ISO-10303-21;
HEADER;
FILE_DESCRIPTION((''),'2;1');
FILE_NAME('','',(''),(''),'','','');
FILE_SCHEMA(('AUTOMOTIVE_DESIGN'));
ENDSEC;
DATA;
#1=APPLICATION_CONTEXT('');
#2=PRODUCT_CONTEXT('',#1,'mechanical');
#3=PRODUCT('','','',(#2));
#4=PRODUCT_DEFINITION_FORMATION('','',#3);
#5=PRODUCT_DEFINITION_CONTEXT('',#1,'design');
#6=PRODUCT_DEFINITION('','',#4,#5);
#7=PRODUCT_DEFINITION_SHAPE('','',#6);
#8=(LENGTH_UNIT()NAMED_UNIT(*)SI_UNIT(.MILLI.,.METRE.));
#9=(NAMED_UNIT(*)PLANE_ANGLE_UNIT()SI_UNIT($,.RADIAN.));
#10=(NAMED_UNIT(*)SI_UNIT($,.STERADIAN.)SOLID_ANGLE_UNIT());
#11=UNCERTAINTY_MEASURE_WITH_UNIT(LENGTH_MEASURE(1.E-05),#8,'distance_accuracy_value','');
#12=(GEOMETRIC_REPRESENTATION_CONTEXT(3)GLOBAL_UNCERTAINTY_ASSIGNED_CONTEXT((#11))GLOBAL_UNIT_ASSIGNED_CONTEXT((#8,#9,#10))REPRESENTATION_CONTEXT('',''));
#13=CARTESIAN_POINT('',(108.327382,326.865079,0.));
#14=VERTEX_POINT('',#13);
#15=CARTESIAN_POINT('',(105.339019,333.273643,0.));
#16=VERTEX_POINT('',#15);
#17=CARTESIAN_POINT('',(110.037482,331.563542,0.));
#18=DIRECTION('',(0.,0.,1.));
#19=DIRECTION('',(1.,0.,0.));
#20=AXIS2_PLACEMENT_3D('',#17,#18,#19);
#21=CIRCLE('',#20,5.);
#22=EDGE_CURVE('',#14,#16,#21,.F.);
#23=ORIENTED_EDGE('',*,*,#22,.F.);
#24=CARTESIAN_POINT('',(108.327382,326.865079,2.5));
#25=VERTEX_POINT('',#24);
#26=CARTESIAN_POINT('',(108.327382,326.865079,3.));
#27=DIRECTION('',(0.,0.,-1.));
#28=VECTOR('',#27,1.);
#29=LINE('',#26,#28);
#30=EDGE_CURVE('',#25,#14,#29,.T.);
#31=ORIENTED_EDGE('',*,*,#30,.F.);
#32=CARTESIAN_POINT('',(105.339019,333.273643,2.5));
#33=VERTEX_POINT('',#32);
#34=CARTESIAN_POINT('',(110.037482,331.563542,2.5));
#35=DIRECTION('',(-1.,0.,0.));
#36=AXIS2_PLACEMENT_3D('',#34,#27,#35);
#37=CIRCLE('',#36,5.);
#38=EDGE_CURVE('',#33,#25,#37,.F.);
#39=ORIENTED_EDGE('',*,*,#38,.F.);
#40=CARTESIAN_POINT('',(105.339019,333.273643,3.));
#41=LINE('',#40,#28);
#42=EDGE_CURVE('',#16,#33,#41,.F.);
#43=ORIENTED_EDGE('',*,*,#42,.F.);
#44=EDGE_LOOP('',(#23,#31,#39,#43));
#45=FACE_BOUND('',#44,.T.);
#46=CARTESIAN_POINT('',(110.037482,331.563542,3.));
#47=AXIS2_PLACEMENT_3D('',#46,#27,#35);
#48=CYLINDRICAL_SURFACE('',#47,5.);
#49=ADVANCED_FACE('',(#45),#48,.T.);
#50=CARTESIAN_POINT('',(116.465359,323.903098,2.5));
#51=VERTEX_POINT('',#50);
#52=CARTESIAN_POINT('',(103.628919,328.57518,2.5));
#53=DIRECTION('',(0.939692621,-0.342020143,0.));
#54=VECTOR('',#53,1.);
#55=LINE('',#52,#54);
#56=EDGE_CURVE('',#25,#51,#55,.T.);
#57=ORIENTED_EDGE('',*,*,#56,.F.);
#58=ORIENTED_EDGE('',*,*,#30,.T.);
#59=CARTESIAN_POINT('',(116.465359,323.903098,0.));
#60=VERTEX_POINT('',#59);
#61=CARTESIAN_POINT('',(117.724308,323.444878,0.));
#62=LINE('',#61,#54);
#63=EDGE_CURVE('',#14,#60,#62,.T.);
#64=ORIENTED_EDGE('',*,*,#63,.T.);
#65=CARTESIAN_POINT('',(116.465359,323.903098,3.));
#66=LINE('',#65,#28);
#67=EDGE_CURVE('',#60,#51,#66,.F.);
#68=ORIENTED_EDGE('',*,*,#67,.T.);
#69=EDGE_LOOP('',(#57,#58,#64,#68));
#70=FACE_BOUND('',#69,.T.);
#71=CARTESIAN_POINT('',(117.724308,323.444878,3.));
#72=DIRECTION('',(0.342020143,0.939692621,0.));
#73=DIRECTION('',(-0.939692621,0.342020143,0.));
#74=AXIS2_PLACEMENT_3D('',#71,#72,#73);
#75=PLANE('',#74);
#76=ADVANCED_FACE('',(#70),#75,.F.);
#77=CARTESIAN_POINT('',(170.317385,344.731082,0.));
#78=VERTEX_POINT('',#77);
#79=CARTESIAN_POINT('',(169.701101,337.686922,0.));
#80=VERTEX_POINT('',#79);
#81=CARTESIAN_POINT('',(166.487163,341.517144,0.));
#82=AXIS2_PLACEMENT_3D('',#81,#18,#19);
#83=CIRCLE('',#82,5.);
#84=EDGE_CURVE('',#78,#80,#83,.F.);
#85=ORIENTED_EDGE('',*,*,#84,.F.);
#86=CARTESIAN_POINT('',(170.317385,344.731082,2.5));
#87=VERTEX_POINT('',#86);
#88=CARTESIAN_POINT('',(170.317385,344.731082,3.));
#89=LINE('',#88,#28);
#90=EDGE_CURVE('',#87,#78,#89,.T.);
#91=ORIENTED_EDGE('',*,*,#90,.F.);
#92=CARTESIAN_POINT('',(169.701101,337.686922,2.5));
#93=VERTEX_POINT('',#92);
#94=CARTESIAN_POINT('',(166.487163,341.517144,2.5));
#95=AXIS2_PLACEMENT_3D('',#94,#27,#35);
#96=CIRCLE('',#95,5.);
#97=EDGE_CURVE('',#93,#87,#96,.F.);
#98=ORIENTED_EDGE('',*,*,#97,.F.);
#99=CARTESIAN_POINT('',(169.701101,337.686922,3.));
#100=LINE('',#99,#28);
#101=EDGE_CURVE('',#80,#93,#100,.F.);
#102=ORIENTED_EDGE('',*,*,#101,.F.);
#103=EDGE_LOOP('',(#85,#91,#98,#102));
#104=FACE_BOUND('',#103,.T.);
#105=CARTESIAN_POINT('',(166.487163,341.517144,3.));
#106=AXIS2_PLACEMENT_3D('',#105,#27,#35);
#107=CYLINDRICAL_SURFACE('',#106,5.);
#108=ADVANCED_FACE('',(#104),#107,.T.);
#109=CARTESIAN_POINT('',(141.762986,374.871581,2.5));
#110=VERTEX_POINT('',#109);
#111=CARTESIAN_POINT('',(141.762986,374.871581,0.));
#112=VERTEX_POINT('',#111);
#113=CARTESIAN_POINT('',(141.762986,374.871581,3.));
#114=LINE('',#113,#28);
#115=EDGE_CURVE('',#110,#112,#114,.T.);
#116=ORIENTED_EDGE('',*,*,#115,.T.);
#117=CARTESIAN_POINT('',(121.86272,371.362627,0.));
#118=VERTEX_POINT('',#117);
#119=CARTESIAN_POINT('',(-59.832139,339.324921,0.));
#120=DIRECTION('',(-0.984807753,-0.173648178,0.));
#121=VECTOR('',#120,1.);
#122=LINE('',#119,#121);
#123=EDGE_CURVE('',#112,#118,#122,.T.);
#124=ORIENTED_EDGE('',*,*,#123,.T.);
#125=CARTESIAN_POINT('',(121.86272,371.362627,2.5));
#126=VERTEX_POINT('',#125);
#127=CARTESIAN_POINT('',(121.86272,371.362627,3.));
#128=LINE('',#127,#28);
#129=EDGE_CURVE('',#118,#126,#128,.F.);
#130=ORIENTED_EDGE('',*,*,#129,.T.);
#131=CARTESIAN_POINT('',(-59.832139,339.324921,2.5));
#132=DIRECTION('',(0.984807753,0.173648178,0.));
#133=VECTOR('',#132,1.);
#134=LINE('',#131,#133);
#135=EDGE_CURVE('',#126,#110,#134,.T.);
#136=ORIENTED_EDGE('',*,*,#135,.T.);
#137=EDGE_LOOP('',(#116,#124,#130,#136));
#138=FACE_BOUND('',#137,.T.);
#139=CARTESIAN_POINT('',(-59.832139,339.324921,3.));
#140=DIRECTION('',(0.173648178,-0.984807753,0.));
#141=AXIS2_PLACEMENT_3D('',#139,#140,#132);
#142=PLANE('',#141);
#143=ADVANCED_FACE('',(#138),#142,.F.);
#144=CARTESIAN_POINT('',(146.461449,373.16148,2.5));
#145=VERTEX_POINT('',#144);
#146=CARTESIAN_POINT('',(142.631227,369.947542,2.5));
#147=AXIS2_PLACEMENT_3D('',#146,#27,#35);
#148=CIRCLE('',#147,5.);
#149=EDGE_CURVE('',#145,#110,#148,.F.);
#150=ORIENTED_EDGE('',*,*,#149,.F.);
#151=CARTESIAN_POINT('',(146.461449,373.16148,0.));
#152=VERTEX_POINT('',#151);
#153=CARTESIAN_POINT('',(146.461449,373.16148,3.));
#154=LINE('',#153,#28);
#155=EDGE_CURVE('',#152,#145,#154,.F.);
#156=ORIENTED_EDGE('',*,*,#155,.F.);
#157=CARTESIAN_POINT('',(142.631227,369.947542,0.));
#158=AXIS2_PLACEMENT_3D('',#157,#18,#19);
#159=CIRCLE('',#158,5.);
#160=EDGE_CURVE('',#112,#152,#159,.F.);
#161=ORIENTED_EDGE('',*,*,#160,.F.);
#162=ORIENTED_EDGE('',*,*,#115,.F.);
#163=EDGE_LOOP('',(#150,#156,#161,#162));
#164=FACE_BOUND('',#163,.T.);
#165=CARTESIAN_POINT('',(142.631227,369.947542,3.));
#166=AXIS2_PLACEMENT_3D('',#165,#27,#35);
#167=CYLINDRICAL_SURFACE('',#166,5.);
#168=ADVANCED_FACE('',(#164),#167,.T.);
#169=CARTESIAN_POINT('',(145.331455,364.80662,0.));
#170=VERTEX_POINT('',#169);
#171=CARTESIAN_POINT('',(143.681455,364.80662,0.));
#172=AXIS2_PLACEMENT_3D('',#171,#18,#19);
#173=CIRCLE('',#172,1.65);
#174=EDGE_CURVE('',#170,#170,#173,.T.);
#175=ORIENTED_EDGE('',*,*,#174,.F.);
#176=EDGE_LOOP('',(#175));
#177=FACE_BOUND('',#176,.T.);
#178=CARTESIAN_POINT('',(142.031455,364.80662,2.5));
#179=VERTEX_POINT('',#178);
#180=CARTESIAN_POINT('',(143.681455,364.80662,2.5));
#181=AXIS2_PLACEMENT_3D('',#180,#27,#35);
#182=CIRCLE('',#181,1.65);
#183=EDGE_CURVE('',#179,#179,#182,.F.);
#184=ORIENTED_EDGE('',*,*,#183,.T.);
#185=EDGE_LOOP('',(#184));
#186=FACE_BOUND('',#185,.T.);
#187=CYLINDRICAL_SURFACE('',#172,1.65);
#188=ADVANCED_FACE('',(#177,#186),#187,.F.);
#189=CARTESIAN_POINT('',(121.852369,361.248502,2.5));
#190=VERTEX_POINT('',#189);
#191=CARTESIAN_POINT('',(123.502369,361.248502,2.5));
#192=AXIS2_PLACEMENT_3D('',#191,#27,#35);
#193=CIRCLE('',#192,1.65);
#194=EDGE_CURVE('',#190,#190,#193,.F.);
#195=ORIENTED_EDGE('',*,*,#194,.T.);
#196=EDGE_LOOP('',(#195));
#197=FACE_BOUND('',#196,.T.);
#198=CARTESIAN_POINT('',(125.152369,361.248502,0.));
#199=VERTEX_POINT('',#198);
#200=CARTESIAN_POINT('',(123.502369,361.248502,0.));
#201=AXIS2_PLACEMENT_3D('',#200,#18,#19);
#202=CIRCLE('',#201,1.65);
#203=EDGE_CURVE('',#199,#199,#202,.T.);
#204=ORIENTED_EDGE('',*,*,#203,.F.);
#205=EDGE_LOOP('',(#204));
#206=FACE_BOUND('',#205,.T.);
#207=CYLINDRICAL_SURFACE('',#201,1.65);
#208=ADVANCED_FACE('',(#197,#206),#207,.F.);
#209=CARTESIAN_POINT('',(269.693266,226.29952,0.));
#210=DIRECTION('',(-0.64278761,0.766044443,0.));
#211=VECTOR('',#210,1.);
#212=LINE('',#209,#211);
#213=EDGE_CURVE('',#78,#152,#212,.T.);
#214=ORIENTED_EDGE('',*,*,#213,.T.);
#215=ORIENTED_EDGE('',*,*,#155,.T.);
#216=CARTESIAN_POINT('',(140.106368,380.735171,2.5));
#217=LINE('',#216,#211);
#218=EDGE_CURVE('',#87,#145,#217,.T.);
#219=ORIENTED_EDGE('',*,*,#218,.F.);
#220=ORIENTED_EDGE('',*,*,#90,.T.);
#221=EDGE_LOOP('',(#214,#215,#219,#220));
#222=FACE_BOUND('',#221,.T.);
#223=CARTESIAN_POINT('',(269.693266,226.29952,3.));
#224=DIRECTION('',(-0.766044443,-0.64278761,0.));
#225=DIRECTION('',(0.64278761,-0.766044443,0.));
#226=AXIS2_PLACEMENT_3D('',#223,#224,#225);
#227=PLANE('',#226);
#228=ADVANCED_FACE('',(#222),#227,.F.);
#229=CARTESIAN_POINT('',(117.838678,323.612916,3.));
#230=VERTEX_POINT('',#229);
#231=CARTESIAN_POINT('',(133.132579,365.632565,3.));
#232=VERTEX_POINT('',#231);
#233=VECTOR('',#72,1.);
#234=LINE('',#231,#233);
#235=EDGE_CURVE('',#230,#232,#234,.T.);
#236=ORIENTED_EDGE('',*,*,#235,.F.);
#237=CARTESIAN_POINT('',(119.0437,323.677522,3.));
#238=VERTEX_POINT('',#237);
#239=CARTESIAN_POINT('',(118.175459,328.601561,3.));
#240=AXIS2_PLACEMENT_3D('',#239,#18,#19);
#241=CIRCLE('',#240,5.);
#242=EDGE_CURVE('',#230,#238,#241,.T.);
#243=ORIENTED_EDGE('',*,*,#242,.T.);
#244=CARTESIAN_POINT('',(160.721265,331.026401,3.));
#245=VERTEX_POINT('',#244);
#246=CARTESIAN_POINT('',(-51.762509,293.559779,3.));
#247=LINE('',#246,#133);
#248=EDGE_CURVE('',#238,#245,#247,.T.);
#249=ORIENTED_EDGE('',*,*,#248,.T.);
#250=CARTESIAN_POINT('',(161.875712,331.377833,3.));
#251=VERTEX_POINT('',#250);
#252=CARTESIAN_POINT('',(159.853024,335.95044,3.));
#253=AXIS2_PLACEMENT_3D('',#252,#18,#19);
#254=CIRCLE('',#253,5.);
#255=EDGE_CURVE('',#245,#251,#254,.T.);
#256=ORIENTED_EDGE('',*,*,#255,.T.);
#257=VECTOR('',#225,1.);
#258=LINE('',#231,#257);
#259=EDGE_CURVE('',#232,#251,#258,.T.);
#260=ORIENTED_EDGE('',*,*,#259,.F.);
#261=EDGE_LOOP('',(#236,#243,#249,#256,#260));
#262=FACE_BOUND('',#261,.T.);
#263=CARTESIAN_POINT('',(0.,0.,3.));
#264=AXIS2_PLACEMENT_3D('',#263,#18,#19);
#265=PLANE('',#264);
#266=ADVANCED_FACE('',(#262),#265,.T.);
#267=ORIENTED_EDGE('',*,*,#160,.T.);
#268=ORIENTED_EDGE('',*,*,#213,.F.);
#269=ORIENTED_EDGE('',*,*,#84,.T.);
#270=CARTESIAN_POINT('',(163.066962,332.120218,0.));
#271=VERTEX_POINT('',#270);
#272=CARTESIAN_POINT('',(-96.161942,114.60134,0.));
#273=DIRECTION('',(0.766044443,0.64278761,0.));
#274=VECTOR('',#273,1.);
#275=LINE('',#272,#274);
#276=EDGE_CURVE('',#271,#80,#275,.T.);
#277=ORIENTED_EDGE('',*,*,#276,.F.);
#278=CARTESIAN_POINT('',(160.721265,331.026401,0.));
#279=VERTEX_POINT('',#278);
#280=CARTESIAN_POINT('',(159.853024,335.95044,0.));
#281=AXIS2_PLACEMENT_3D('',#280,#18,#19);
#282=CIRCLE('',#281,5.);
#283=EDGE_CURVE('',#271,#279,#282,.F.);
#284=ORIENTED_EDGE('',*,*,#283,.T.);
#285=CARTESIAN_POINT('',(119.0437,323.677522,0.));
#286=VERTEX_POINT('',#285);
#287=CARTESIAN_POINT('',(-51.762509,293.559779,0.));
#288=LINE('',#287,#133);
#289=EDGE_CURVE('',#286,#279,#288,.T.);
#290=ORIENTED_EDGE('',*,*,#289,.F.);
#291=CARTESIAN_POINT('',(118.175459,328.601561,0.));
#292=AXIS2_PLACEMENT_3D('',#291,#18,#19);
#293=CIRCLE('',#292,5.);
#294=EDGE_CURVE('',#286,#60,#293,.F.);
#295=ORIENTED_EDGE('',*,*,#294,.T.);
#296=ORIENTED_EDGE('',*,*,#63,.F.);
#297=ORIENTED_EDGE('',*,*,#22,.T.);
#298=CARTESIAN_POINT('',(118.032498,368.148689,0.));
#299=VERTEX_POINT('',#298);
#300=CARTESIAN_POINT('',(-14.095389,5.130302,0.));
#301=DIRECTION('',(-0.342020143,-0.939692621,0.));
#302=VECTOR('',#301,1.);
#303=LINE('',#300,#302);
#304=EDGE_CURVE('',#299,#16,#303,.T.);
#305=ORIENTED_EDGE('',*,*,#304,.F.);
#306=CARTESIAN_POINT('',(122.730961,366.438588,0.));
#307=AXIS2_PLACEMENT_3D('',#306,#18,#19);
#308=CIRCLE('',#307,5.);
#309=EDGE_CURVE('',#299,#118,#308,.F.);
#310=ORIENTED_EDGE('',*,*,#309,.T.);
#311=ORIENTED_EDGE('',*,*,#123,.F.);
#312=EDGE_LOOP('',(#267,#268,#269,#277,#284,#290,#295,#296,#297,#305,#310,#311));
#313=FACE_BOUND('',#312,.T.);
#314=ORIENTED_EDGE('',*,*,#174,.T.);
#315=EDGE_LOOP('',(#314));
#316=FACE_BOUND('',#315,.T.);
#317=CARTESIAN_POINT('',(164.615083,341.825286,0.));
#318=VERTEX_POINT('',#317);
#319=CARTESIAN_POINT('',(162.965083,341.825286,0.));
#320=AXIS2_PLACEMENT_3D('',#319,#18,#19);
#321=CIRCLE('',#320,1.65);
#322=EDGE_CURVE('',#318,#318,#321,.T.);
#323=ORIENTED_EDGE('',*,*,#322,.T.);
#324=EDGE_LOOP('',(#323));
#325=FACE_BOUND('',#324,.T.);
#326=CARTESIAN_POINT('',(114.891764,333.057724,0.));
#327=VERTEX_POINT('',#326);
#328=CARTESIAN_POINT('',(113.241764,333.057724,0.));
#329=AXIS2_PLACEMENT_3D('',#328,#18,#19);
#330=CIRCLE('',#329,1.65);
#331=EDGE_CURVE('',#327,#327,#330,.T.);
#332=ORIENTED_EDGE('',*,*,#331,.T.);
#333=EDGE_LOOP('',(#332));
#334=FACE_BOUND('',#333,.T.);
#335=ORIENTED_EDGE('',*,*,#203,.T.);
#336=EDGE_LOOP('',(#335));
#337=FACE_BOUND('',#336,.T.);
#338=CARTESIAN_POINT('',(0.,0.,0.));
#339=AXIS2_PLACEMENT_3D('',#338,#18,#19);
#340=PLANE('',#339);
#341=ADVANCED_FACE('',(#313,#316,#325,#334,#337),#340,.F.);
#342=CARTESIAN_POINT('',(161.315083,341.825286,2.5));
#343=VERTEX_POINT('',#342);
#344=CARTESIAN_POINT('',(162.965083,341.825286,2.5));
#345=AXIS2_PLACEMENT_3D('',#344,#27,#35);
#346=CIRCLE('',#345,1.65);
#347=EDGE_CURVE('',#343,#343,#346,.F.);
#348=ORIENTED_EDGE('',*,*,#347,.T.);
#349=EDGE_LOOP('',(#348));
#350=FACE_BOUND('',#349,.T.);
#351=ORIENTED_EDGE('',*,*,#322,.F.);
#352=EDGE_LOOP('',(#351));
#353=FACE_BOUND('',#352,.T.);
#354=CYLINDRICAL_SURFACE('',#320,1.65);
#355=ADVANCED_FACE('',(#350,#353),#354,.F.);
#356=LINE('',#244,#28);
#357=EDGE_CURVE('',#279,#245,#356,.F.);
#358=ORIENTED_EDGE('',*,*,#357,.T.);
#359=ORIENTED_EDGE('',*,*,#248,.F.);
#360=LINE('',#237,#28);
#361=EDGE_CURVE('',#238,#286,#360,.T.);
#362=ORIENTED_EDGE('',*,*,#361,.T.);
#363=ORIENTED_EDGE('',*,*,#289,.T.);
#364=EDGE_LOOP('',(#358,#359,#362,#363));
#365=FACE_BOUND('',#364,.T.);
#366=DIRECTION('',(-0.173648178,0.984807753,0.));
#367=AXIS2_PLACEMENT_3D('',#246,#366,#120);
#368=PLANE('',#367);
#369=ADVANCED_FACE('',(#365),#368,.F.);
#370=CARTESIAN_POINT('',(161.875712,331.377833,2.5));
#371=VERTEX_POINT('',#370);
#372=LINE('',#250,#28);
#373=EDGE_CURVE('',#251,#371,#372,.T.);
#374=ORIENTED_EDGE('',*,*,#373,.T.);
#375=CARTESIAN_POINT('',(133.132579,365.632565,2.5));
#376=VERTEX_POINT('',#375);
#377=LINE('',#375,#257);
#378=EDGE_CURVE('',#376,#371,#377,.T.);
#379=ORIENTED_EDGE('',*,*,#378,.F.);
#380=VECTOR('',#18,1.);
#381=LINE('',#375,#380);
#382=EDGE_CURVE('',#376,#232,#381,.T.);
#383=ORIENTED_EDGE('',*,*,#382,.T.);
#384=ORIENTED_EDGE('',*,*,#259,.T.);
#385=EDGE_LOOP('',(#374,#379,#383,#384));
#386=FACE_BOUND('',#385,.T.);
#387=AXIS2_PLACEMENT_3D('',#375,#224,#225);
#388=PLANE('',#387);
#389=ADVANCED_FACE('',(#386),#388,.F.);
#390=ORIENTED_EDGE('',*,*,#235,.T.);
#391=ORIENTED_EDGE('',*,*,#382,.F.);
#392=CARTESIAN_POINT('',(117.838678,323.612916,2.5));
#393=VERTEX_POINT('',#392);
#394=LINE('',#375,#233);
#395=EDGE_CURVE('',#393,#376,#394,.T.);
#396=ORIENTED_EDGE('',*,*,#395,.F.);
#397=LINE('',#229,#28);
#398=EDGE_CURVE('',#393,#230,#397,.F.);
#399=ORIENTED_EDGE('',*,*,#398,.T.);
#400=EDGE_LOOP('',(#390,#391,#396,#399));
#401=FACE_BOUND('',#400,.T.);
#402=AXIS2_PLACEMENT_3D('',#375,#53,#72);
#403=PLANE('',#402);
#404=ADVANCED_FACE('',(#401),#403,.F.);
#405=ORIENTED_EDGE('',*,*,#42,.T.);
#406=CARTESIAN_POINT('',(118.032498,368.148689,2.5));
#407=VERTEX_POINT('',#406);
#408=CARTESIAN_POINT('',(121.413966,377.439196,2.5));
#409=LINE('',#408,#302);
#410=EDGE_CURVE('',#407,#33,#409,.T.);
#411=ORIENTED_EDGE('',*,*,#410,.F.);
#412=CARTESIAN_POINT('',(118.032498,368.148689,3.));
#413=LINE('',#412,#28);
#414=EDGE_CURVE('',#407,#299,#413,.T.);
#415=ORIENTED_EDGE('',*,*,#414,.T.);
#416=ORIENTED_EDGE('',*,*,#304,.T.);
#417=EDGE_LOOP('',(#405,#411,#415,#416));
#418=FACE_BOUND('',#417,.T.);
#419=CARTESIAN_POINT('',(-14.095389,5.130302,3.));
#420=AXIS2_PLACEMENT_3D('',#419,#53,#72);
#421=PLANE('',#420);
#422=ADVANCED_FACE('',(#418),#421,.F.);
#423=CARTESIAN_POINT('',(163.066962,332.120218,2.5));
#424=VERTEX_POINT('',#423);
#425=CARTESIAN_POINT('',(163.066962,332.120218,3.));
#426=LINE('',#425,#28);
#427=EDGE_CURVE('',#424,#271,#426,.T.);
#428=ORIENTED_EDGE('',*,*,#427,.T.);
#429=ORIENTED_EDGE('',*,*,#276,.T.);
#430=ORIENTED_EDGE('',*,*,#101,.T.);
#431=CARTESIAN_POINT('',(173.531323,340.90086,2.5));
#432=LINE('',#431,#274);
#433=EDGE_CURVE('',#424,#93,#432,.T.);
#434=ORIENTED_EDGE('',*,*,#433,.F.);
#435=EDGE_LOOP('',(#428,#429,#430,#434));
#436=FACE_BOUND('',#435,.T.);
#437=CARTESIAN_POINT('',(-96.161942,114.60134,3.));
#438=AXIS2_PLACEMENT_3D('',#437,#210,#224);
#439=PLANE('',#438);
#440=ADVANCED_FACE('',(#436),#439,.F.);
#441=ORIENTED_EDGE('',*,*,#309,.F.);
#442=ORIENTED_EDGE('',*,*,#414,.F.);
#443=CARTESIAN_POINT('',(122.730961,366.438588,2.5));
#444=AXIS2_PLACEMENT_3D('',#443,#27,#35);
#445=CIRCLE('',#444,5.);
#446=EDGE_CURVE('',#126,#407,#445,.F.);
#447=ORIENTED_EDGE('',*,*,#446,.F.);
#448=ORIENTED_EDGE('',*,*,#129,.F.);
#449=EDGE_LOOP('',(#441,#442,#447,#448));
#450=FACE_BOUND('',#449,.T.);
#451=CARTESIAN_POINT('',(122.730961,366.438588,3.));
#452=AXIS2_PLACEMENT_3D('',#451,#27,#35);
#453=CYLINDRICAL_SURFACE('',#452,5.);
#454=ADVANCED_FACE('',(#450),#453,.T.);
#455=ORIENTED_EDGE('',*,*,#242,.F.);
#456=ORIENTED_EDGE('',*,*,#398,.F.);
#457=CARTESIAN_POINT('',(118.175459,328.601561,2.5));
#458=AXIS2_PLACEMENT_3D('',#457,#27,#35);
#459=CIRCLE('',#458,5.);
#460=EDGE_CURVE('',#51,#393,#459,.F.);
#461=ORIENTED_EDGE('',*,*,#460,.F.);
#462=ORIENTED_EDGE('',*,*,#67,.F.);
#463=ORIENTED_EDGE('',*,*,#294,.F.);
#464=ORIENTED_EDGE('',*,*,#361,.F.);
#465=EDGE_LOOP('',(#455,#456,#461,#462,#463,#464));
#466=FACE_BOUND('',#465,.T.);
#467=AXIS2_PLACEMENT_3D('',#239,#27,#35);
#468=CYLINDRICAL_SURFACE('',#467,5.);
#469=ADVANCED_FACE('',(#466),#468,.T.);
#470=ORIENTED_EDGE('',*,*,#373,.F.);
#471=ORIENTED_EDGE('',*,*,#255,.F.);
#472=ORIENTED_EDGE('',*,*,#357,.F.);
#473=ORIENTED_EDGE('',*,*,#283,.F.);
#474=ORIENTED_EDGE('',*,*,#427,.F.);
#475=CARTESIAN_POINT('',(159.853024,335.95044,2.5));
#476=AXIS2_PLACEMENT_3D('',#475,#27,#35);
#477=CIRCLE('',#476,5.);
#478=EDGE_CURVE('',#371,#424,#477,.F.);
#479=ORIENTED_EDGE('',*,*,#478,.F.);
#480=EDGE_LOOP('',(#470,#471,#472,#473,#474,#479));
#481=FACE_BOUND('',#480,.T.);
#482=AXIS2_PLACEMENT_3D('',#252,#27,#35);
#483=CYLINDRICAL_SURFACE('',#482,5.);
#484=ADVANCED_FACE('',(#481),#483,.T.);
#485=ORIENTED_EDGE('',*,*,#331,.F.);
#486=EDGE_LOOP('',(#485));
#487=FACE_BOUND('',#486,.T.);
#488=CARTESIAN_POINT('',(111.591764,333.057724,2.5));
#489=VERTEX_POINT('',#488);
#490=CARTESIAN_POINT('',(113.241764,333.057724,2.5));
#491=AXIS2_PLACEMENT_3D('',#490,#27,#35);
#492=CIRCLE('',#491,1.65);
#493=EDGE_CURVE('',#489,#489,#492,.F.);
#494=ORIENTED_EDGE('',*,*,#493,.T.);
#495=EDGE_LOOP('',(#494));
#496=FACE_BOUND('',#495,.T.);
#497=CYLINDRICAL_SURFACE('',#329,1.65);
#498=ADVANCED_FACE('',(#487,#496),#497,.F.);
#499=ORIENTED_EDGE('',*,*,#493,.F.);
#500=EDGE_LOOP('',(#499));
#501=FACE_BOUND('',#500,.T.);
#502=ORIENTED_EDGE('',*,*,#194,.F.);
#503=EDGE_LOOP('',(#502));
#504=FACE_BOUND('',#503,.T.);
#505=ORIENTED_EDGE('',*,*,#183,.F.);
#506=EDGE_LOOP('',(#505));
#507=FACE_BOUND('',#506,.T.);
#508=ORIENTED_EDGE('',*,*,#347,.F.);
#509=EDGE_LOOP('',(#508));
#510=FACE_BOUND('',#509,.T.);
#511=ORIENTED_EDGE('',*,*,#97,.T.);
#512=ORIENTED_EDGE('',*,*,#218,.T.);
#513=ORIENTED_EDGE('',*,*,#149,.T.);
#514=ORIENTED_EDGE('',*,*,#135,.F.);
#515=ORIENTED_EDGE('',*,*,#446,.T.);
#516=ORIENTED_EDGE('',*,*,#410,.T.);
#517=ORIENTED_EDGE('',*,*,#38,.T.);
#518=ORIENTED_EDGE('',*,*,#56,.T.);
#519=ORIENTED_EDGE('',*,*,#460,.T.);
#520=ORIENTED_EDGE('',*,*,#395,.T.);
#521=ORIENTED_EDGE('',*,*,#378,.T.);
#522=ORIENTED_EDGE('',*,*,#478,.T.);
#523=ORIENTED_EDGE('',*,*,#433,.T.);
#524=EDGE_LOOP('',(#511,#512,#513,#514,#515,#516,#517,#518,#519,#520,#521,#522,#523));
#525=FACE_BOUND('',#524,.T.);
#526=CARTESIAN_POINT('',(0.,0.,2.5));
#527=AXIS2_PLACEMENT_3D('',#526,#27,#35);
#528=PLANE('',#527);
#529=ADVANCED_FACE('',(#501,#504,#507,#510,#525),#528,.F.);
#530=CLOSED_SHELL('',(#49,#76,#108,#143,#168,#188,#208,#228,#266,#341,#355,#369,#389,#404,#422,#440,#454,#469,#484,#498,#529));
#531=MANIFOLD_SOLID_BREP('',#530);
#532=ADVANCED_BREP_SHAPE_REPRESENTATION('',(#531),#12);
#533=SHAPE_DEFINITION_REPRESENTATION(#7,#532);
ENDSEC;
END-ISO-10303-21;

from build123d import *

# Parameters (mm, degrees)
EXTRUDE_1_DEPTH     = 3
SKETCH_2_R          = 1.65
CUT_EXTRUDE_1_DEPTH = 3
FILLET_1_R          = 5
CUT_EXTRUDE_2_DEPTH = 0.5


with BuildPart() as part:
    # ｽｹｯﾁ1 → ﾎﾞｽ - 押し出し1 (new body)
    with BuildSketch(Plane.XY):
        Polygon((173.531323483, 340.900859956), (144.605881047, 375.372859896), (133.1152144, 365.731045751), (119.019825089, 370.861347901), (103.628918639, 328.575179965), (117.724307951, 323.444877815), (162.040656836, 331.259045811), align=None)
        Polygon((144.605881047, 375.372859896), (133.1152144, 365.731045751), (119.019825089, 370.861347901), align=None)
    extrude(amount=EXTRUDE_1_DEPTH)

    # ｽｹｯﾁ2 → ｶｯﾄ - 押し出し1 (cut)
    with BuildSketch(Plane.XY.offset(3)):
        with Locations((113.24176437, 333.057723546)):
            Circle(SKETCH_2_R)
        with Locations((123.50236867, 361.24850217)):
            Circle(SKETCH_2_R)
        with Locations((143.681454796, 364.8066195)):
            Circle(SKETCH_2_R)
        with Locations((162.965083087, 341.825286207)):
            Circle(SKETCH_2_R)
    extrude(amount=-CUT_EXTRUDE_1_DEPTH, mode=Mode.SUBTRACT)

    # ﾌｨﾚｯﾄ1
    fillet_1_edges = [part.edges().sort_by_distance(p)[0] for p in [
        (173.531323483, 340.900859956, 1.5),
        (162.040656836, 331.259045811, 1.5),
        (117.724307951, 323.444877815, 1.5),
        (103.628918639, 328.575179965, 1.5),
        (119.019825089, 370.861347901, 1.5),
        (144.605881047, 375.372859896, 1.5),
    ]]
    fillet(fillet_1_edges, radius=FILLET_1_R)

    # ｽｹｯﾁ3 → ｶｯﾄ - 押し出し2 (cut)
    with BuildSketch(Plane.XY.offset(3)):
        Polygon((121.413966092, 377.439196246), (103.628918639, 328.575179965), (117.771292582, 323.427776808), (133.132579218, 365.632564976), (162.002354614, 331.22690643), (173.531323483, 340.900859956), (140.106367779, 380.735170998), (131.711632891, 373.691152049), align=None)
    extrude(amount=-CUT_EXTRUDE_2_DEPTH, mode=Mode.SUBTRACT)


solid = part.part
